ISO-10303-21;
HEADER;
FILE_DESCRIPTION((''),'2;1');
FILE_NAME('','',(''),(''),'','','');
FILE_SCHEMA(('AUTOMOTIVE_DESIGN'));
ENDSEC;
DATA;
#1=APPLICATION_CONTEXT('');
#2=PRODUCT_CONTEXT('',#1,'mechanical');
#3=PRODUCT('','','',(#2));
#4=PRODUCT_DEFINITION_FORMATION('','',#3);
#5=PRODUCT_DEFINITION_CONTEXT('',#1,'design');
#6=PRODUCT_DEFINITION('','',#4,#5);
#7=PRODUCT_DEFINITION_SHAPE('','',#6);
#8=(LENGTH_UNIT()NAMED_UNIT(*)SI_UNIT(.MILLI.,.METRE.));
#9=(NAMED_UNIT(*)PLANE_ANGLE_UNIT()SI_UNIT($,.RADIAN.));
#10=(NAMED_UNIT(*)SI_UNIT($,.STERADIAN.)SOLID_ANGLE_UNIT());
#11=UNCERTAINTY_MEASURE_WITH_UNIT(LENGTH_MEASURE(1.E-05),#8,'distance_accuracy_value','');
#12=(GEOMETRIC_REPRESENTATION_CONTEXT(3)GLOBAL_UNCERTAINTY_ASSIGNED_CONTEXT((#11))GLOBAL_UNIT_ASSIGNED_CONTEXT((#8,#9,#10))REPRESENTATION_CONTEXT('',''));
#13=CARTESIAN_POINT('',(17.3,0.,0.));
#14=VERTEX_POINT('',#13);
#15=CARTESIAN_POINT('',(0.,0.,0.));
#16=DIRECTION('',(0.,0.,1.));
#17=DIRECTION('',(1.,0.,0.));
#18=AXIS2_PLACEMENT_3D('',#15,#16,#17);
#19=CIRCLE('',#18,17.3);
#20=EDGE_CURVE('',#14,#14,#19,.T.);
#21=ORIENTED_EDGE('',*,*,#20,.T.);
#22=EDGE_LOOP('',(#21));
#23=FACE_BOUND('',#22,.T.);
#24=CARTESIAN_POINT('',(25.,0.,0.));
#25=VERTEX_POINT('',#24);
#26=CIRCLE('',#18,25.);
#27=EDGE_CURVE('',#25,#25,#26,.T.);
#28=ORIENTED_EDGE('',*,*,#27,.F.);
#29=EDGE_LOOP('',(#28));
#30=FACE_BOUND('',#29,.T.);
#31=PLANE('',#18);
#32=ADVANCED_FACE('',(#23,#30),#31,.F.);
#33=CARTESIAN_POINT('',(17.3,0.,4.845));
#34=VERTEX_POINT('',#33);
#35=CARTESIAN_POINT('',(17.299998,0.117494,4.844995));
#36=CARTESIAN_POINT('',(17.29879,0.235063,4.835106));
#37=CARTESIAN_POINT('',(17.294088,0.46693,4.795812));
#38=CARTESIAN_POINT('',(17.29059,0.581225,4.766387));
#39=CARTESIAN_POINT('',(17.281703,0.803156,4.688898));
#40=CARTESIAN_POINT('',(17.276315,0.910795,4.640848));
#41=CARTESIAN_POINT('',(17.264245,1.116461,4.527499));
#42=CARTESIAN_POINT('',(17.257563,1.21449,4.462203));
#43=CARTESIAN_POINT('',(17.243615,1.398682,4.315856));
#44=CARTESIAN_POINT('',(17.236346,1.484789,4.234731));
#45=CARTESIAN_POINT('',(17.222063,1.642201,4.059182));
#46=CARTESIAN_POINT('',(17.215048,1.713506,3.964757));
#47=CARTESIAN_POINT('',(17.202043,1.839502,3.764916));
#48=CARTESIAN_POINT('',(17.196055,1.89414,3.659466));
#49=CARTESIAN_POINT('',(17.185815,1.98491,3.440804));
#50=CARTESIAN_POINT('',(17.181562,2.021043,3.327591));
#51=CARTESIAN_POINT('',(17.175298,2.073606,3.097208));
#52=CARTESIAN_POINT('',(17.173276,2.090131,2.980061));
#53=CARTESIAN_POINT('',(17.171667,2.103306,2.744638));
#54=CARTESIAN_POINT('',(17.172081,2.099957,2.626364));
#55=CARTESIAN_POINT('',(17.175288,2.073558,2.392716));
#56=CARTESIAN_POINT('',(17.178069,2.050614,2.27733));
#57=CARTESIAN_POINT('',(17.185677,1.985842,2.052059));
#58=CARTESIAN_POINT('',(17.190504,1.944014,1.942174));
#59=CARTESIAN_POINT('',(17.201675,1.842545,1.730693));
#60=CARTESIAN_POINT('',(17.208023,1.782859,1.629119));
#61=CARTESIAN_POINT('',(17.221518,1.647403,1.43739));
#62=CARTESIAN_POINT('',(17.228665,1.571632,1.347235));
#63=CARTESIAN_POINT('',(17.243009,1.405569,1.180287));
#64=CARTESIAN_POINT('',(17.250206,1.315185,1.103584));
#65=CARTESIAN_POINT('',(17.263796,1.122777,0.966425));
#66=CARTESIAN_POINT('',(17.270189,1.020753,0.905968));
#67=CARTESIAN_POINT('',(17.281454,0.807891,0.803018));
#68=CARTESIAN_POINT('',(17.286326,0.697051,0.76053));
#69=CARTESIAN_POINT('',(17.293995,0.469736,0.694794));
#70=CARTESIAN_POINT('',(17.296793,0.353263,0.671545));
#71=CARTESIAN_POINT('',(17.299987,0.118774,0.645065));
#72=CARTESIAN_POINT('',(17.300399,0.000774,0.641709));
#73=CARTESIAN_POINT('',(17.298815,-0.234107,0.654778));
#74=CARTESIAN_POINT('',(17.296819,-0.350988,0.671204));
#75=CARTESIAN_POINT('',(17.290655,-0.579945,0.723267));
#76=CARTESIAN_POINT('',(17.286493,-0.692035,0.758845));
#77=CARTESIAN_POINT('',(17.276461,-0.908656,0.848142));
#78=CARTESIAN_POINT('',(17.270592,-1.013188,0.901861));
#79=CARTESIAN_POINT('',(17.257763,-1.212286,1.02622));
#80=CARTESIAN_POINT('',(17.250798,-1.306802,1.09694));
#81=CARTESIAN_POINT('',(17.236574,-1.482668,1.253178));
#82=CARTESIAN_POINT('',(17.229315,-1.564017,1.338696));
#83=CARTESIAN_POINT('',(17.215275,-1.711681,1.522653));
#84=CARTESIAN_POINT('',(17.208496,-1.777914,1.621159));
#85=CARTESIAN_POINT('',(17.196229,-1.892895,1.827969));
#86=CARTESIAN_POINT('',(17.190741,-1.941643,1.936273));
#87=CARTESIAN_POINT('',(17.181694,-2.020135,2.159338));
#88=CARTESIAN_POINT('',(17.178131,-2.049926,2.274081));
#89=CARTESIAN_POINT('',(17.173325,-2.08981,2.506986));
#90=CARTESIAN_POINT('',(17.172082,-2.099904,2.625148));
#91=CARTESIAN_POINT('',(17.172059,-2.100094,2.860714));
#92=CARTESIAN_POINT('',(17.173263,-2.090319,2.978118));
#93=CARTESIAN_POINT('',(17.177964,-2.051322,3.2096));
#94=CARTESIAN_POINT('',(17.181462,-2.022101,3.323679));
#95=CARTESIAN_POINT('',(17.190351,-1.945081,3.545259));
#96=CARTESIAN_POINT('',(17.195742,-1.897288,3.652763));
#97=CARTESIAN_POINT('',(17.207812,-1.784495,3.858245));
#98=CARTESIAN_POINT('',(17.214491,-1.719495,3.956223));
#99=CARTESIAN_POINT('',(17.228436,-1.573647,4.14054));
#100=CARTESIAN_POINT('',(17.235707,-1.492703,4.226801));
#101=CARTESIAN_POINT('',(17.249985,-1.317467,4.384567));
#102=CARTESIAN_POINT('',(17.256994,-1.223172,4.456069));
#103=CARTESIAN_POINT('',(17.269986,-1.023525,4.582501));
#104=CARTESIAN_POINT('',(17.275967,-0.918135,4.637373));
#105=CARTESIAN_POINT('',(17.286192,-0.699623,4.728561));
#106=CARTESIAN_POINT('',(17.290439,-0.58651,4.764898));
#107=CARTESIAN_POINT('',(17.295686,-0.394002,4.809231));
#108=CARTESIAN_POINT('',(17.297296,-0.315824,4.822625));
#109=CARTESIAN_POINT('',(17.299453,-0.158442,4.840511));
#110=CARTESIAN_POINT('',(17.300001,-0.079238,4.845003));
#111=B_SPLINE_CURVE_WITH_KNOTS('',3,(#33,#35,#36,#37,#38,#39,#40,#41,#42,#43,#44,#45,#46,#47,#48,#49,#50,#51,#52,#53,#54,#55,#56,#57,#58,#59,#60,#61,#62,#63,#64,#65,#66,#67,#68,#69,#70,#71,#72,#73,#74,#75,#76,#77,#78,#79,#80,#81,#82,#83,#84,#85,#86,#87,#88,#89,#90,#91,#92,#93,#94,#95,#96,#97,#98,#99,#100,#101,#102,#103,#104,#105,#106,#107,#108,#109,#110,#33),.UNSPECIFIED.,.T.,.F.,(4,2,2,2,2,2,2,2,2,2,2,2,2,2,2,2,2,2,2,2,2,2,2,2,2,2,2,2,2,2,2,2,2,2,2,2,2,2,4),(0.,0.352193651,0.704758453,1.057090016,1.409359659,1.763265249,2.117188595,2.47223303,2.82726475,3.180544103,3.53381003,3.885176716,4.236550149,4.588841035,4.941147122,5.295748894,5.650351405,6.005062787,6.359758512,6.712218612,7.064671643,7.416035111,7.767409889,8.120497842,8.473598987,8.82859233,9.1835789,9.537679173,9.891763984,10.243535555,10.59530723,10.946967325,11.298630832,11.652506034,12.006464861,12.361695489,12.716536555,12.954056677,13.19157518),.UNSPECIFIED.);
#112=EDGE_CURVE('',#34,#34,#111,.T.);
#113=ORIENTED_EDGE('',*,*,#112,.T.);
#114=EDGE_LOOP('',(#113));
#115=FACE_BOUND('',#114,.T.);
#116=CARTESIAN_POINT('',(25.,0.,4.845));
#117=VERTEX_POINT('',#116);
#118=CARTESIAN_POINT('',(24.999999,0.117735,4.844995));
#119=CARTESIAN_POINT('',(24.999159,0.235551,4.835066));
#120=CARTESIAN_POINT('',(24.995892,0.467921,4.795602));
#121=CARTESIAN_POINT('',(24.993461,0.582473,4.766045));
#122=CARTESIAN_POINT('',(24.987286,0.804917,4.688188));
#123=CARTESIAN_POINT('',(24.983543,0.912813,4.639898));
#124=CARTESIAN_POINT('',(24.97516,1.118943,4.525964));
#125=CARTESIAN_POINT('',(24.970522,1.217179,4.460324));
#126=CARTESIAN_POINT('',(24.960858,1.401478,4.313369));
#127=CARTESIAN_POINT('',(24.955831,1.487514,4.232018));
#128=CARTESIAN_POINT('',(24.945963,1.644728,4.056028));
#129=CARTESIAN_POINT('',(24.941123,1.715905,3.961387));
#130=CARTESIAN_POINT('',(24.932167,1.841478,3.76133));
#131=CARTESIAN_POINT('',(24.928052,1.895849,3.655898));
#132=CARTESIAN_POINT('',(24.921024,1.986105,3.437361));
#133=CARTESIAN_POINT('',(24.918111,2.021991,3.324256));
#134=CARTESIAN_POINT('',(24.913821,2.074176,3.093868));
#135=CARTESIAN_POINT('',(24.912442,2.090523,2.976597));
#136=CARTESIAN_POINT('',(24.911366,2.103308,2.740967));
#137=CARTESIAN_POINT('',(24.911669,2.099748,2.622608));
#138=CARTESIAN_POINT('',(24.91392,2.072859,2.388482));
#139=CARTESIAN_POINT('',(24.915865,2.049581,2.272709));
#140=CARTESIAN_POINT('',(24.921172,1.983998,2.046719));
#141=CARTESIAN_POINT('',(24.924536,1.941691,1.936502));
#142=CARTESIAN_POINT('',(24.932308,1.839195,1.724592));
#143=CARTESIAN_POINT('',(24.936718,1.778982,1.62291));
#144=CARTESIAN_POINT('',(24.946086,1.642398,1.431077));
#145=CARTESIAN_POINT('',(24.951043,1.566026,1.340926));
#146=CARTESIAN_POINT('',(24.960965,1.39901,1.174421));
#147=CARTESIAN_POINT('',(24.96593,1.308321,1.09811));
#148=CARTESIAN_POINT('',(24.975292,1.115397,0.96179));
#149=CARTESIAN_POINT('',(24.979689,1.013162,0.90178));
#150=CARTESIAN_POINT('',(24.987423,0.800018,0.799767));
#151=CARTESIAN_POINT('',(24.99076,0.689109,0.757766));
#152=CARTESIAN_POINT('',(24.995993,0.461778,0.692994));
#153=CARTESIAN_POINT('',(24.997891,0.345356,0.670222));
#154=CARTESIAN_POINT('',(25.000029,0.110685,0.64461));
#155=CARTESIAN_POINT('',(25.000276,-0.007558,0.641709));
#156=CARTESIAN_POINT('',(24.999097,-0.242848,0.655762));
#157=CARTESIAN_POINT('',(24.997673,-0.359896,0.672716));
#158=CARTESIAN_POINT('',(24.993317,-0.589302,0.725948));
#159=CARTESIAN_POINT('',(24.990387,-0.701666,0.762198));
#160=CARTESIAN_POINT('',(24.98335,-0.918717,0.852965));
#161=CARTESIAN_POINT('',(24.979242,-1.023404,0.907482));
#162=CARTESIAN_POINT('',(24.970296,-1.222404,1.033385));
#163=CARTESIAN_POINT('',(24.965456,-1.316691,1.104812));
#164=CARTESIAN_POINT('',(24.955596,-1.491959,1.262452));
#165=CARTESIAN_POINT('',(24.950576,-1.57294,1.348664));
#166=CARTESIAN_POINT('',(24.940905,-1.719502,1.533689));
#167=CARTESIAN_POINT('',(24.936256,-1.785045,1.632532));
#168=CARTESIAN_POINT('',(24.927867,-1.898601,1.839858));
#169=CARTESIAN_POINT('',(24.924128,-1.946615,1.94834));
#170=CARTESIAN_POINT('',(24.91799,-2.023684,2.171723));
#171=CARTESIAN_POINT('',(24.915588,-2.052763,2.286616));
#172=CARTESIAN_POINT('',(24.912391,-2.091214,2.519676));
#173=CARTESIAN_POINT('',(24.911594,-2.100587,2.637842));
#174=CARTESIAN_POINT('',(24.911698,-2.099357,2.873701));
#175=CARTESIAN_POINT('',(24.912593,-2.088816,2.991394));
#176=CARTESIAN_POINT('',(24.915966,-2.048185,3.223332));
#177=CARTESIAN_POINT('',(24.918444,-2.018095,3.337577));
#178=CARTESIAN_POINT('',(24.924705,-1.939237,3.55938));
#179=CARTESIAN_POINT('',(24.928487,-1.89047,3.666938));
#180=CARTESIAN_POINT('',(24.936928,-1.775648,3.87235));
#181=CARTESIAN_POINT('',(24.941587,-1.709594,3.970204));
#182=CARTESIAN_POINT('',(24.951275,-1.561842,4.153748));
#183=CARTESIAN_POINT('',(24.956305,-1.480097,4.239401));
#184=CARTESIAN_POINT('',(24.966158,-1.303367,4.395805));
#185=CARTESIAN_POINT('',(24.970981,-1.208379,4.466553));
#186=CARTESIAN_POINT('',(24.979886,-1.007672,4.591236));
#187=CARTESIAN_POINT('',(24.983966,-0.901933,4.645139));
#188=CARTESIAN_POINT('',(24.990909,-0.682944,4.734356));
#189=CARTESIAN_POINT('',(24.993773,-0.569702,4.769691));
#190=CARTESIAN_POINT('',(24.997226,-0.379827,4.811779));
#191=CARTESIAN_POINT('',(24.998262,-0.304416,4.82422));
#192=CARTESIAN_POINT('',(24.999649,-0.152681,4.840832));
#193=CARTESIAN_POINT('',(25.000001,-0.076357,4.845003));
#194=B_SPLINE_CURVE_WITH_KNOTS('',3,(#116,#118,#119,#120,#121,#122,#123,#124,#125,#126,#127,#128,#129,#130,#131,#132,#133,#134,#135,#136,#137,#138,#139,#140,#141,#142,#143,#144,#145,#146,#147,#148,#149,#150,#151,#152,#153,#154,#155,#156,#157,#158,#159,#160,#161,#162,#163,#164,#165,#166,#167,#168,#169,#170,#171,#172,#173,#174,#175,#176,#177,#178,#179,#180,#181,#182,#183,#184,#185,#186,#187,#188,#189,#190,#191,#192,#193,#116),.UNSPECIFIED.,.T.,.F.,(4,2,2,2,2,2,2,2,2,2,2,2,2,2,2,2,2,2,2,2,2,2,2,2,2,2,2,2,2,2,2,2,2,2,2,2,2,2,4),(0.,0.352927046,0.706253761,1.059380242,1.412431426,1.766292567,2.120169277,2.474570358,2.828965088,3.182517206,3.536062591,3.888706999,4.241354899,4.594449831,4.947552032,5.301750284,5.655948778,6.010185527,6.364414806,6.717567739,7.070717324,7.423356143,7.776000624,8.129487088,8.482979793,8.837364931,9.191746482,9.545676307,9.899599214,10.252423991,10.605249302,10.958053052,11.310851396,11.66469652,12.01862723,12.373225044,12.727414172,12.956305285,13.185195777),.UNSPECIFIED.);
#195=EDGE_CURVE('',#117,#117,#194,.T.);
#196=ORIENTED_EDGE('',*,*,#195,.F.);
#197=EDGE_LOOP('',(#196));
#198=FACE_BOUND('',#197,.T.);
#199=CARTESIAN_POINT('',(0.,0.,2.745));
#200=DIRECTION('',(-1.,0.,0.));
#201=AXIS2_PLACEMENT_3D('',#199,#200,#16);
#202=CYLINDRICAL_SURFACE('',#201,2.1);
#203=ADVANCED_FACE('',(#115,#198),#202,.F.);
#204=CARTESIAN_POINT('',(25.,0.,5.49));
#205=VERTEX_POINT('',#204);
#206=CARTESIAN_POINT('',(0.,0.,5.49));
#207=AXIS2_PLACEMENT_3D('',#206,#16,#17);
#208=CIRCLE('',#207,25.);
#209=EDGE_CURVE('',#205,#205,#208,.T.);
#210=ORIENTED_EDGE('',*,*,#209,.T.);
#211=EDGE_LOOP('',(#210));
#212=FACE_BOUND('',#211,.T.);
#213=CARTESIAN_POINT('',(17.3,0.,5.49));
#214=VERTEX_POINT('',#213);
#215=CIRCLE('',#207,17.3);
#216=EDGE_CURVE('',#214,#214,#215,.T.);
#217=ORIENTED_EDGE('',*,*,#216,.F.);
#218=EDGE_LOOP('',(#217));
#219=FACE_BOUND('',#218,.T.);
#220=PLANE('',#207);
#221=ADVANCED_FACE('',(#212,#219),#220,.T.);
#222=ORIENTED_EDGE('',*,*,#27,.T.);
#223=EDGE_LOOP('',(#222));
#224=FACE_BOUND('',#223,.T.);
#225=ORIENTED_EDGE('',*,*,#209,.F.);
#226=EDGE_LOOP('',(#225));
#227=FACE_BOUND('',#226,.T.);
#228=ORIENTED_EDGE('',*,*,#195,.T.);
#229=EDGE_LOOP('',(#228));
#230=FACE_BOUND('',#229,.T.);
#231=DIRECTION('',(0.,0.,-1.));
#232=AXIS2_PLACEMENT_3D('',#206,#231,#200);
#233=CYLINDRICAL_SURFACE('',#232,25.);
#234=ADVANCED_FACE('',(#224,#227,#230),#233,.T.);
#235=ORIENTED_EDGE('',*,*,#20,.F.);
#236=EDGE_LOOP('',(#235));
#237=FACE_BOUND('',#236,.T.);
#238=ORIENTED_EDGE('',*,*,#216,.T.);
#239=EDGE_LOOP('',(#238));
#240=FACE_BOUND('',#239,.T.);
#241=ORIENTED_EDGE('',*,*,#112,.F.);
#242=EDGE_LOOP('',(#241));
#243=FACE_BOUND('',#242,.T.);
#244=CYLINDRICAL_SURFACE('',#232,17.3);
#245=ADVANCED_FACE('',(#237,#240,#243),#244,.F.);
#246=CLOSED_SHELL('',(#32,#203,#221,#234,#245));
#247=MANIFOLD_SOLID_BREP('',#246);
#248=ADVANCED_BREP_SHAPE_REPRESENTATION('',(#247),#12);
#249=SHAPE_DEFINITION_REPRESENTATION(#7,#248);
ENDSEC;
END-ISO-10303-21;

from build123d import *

# Parameters (mm, degrees)
ESBO_O1_R                = 25
ESBO_O1_R_2              = 17.3
RESSALTO_EXTRUS_O1_DEPTH = 5.49
ESBO_O2_W                = 2.1
ESBO_O2_H                = 25


with BuildPart() as part:
    # Esboço1 → Ressalto-extrusão1 (new body)
    with BuildSketch(Plane.XY):
        Circle(ESBO_O1_R)
        Circle(ESBO_O1_R_2, mode=Mode.SUBTRACT)
    extrude(amount=RESSALTO_EXTRUS_O1_DEPTH)

    # Esboço2 → Furo roscado de M5x0.81 (revolve, cut)
    with BuildSketch(Plane(origin=(0, 0, 2.745), x_dir=(0, 0, 1), z_dir=(0, 1, 0))):
        with Locations((1.05, 12.5)):
            Rectangle(ESBO_O2_W, ESBO_O2_H)
    revolve(axis=Axis((-6.35, 0, 2.745), (1, 0, 0)), mode=Mode.SUBTRACT)


solid = part.part
